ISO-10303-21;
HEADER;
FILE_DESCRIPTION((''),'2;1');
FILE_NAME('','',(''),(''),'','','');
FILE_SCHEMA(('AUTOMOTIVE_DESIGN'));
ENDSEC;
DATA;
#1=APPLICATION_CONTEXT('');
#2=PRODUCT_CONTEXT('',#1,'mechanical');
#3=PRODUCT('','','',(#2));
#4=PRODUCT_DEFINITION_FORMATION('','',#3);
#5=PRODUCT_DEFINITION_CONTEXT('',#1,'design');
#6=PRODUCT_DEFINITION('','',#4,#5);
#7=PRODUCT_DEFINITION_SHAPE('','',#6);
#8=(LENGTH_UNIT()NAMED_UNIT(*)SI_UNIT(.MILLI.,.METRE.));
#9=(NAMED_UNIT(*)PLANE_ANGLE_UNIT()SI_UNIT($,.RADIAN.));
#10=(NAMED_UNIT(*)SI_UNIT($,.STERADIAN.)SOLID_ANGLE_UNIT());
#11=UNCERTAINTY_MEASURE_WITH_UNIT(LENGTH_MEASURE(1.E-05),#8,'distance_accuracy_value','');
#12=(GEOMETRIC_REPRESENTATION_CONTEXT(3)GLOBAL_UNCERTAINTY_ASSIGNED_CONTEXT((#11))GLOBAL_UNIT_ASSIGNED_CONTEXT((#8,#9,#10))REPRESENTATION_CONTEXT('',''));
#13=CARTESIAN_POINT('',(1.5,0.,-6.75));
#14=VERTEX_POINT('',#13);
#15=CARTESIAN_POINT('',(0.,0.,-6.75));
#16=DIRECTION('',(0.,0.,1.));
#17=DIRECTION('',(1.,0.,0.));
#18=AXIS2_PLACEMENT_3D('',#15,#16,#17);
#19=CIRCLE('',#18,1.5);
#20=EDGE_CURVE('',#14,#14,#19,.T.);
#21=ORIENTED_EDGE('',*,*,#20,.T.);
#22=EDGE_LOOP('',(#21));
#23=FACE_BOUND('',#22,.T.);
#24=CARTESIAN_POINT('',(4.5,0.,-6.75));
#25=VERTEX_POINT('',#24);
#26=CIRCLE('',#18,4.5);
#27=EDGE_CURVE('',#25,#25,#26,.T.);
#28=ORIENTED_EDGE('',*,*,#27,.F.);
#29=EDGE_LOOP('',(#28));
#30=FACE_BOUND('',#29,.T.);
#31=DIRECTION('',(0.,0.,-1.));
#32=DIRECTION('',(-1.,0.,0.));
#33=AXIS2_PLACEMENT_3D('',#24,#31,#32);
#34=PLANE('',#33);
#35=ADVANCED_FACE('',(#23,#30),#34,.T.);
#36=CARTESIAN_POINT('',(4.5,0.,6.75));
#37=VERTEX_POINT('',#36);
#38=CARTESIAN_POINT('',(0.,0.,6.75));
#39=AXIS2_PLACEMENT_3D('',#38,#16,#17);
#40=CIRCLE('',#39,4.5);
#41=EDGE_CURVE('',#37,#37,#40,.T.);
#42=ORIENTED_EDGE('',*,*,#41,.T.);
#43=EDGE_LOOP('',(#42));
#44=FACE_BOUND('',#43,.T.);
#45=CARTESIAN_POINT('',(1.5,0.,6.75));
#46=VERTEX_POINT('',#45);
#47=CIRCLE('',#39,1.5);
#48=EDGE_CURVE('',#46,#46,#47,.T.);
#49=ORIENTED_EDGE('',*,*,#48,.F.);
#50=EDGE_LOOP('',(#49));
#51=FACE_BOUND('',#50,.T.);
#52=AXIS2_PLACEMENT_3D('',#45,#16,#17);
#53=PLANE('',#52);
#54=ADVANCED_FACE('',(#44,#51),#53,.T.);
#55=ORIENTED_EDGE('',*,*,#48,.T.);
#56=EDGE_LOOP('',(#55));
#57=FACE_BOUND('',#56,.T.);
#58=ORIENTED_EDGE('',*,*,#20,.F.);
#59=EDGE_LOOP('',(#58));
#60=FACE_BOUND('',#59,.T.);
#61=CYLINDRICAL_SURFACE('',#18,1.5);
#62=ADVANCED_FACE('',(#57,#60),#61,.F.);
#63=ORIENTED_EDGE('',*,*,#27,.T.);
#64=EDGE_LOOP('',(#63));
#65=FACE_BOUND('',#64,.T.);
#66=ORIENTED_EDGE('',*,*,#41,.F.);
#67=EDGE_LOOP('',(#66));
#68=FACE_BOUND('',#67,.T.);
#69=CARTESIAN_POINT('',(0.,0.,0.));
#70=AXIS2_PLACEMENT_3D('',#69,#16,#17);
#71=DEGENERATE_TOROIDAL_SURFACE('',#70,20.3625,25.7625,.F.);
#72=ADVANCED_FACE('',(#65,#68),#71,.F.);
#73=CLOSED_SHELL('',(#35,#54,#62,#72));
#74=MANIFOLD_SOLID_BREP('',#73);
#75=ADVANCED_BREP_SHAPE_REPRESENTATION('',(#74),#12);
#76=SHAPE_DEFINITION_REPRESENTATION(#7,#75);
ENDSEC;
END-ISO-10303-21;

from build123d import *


with BuildPart() as part:
    # 草图1 → 旋转1 (revolve)
    with BuildSketch(Plane(origin=(0, 0, 0), x_dir=(1, 0, 0), z_dir=(0, 1, 0))):
        with BuildLine():
            Line((4.5, 6.75), (1.5, 6.75))
            Line((1.5, 6.75), (1.5, -6.75))
            Line((1.5, -6.75), (4.5, -6.75))
            ThreePointArc((4.5, -6.75), (5.4, 0), (4.5, 6.75))
        make_face()
    revolve(axis=Axis((0, 0, -6.75), (0, 0, 1)))


solid = part.part
